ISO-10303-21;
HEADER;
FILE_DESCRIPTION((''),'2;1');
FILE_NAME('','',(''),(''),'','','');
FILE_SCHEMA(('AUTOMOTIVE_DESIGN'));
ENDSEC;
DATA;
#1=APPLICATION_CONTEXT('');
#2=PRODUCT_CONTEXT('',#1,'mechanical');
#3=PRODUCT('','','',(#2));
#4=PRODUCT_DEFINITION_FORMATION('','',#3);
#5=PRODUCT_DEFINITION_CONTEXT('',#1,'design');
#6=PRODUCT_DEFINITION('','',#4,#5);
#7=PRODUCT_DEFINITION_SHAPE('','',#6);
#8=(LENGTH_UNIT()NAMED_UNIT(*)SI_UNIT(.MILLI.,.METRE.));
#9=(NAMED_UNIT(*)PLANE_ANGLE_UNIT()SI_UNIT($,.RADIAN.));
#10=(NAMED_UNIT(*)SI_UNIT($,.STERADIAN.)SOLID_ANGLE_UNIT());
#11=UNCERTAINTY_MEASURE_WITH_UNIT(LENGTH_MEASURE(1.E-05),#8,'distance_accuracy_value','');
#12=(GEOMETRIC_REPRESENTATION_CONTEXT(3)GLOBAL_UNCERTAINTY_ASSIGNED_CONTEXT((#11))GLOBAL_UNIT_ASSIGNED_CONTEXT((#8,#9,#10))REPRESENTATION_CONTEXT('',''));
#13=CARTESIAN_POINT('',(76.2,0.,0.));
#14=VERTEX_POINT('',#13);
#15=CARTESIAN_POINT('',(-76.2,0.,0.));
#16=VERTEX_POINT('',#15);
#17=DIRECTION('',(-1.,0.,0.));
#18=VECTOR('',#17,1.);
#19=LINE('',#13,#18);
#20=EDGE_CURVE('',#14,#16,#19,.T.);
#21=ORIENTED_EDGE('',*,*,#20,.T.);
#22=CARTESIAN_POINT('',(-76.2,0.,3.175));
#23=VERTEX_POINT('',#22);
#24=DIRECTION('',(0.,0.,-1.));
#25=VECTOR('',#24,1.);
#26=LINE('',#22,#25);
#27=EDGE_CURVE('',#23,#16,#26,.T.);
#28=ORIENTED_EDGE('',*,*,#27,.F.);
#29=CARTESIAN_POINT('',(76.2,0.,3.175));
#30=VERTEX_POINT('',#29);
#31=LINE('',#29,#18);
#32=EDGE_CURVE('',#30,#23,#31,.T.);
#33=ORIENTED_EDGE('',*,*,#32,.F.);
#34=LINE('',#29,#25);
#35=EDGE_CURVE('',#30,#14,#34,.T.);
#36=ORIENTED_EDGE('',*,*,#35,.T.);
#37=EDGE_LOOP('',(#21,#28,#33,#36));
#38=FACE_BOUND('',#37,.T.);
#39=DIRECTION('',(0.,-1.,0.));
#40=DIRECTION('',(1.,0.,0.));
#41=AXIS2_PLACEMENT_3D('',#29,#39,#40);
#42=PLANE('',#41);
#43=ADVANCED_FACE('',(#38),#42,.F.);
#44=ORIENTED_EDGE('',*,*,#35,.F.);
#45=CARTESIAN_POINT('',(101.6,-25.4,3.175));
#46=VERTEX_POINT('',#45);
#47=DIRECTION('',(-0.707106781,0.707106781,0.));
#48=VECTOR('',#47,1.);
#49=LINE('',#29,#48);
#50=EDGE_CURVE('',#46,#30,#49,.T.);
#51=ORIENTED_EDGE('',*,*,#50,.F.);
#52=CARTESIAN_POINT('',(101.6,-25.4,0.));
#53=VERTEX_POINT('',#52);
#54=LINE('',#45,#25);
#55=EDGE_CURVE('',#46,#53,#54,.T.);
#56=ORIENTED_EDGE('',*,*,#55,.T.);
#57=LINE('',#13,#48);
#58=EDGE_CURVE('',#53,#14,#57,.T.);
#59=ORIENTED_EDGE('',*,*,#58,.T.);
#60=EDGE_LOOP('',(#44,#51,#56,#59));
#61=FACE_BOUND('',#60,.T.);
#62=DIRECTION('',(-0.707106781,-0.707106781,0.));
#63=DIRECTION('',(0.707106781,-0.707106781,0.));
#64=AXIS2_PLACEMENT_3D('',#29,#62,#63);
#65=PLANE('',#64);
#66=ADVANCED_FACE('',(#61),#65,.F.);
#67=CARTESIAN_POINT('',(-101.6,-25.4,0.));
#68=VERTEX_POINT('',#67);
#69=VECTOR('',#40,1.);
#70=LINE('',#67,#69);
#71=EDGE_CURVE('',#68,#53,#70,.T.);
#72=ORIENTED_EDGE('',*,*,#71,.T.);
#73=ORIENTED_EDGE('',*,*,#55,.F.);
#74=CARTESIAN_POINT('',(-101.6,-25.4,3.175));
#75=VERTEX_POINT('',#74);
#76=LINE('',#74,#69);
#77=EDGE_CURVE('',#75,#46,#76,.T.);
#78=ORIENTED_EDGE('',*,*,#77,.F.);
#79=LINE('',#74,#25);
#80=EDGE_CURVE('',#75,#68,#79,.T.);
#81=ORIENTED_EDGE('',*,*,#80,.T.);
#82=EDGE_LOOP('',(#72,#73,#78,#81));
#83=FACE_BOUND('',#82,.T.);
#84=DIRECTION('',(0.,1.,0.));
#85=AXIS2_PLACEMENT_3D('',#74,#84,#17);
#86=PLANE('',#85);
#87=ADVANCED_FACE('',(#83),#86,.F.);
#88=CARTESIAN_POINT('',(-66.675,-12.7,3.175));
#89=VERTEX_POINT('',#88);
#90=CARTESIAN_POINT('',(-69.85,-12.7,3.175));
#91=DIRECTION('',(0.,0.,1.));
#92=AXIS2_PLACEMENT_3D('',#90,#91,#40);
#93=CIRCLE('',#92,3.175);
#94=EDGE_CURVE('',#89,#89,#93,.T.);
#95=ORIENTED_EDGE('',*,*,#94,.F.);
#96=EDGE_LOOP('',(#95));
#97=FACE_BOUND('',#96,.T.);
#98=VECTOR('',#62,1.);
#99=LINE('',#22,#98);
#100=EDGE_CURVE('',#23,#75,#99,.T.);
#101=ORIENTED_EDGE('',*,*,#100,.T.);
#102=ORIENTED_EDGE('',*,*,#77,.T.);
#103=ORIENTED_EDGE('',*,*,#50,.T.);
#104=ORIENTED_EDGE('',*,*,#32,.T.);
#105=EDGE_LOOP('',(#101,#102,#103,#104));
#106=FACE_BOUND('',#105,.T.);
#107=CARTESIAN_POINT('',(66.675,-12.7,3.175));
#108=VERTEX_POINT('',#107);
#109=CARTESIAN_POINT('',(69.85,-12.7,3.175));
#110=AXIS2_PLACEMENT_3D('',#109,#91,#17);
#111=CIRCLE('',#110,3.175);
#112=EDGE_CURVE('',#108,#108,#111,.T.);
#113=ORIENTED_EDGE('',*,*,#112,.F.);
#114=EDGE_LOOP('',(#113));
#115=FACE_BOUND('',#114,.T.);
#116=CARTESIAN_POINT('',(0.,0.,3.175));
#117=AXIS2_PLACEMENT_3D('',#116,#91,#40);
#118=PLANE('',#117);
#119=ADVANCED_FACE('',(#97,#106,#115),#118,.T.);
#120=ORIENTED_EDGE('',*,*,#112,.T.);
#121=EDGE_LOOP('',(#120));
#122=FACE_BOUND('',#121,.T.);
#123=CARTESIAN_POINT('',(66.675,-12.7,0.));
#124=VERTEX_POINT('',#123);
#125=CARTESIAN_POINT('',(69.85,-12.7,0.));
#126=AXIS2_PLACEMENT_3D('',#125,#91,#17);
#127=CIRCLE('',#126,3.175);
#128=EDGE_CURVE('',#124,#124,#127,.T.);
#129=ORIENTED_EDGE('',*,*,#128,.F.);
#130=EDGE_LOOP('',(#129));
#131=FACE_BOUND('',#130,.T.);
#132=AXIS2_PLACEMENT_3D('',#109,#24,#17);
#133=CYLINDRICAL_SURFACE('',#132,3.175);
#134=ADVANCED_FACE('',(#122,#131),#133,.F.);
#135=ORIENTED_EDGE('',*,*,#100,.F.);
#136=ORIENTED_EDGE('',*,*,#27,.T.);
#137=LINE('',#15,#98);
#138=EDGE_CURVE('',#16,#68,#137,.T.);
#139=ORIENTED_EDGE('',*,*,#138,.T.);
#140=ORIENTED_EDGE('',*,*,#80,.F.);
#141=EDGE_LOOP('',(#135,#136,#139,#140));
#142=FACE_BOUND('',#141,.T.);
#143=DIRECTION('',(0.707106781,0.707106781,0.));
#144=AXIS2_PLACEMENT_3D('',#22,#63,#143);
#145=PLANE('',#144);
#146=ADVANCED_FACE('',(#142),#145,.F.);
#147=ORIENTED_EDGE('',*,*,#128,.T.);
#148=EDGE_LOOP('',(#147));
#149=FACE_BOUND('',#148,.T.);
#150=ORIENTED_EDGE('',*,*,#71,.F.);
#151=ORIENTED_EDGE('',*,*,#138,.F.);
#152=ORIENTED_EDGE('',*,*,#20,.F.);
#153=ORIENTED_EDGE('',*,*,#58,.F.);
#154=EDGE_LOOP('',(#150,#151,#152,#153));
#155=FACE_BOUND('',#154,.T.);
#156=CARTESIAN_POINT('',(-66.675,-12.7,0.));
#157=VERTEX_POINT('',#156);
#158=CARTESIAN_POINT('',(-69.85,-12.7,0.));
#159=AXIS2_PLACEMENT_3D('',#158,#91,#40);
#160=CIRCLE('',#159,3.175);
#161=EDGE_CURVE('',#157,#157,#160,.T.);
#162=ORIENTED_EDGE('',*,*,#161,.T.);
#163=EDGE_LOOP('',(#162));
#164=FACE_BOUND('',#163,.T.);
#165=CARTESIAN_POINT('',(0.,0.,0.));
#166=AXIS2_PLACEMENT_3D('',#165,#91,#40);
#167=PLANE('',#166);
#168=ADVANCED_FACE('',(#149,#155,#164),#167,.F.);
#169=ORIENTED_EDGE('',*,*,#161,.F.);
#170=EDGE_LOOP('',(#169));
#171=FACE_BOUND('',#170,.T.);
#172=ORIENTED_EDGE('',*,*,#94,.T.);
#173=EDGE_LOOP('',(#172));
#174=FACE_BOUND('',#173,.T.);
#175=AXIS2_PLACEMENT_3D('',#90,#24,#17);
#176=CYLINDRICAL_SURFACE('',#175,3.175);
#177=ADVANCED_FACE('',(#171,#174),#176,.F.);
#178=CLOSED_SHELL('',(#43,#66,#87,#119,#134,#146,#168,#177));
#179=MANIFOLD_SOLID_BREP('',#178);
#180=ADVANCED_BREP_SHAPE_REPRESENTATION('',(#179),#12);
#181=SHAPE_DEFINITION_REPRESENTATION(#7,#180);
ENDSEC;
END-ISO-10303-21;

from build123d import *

# Parameters (mm, degrees)
SKETCH3_R           = 3.175
BOSS_EXTRUDE1_DEPTH = 3.175


with BuildPart() as part:
    # Sketch3 → Boss-Extrude1 (new body)
    with BuildSketch(Plane.XY):
        Polygon((76.2, 0), (-76.2, 0), (-101.6, -25.4), (101.6, -25.4), align=None)
        with Locations((-69.85, -12.7)):
            Circle(SKETCH3_R, mode=Mode.SUBTRACT)
        with Locations((69.85, -12.7)):
            Circle(SKETCH3_R, mode=Mode.SUBTRACT)
    extrude(amount=BOSS_EXTRUDE1_DEPTH)


solid = part.part
